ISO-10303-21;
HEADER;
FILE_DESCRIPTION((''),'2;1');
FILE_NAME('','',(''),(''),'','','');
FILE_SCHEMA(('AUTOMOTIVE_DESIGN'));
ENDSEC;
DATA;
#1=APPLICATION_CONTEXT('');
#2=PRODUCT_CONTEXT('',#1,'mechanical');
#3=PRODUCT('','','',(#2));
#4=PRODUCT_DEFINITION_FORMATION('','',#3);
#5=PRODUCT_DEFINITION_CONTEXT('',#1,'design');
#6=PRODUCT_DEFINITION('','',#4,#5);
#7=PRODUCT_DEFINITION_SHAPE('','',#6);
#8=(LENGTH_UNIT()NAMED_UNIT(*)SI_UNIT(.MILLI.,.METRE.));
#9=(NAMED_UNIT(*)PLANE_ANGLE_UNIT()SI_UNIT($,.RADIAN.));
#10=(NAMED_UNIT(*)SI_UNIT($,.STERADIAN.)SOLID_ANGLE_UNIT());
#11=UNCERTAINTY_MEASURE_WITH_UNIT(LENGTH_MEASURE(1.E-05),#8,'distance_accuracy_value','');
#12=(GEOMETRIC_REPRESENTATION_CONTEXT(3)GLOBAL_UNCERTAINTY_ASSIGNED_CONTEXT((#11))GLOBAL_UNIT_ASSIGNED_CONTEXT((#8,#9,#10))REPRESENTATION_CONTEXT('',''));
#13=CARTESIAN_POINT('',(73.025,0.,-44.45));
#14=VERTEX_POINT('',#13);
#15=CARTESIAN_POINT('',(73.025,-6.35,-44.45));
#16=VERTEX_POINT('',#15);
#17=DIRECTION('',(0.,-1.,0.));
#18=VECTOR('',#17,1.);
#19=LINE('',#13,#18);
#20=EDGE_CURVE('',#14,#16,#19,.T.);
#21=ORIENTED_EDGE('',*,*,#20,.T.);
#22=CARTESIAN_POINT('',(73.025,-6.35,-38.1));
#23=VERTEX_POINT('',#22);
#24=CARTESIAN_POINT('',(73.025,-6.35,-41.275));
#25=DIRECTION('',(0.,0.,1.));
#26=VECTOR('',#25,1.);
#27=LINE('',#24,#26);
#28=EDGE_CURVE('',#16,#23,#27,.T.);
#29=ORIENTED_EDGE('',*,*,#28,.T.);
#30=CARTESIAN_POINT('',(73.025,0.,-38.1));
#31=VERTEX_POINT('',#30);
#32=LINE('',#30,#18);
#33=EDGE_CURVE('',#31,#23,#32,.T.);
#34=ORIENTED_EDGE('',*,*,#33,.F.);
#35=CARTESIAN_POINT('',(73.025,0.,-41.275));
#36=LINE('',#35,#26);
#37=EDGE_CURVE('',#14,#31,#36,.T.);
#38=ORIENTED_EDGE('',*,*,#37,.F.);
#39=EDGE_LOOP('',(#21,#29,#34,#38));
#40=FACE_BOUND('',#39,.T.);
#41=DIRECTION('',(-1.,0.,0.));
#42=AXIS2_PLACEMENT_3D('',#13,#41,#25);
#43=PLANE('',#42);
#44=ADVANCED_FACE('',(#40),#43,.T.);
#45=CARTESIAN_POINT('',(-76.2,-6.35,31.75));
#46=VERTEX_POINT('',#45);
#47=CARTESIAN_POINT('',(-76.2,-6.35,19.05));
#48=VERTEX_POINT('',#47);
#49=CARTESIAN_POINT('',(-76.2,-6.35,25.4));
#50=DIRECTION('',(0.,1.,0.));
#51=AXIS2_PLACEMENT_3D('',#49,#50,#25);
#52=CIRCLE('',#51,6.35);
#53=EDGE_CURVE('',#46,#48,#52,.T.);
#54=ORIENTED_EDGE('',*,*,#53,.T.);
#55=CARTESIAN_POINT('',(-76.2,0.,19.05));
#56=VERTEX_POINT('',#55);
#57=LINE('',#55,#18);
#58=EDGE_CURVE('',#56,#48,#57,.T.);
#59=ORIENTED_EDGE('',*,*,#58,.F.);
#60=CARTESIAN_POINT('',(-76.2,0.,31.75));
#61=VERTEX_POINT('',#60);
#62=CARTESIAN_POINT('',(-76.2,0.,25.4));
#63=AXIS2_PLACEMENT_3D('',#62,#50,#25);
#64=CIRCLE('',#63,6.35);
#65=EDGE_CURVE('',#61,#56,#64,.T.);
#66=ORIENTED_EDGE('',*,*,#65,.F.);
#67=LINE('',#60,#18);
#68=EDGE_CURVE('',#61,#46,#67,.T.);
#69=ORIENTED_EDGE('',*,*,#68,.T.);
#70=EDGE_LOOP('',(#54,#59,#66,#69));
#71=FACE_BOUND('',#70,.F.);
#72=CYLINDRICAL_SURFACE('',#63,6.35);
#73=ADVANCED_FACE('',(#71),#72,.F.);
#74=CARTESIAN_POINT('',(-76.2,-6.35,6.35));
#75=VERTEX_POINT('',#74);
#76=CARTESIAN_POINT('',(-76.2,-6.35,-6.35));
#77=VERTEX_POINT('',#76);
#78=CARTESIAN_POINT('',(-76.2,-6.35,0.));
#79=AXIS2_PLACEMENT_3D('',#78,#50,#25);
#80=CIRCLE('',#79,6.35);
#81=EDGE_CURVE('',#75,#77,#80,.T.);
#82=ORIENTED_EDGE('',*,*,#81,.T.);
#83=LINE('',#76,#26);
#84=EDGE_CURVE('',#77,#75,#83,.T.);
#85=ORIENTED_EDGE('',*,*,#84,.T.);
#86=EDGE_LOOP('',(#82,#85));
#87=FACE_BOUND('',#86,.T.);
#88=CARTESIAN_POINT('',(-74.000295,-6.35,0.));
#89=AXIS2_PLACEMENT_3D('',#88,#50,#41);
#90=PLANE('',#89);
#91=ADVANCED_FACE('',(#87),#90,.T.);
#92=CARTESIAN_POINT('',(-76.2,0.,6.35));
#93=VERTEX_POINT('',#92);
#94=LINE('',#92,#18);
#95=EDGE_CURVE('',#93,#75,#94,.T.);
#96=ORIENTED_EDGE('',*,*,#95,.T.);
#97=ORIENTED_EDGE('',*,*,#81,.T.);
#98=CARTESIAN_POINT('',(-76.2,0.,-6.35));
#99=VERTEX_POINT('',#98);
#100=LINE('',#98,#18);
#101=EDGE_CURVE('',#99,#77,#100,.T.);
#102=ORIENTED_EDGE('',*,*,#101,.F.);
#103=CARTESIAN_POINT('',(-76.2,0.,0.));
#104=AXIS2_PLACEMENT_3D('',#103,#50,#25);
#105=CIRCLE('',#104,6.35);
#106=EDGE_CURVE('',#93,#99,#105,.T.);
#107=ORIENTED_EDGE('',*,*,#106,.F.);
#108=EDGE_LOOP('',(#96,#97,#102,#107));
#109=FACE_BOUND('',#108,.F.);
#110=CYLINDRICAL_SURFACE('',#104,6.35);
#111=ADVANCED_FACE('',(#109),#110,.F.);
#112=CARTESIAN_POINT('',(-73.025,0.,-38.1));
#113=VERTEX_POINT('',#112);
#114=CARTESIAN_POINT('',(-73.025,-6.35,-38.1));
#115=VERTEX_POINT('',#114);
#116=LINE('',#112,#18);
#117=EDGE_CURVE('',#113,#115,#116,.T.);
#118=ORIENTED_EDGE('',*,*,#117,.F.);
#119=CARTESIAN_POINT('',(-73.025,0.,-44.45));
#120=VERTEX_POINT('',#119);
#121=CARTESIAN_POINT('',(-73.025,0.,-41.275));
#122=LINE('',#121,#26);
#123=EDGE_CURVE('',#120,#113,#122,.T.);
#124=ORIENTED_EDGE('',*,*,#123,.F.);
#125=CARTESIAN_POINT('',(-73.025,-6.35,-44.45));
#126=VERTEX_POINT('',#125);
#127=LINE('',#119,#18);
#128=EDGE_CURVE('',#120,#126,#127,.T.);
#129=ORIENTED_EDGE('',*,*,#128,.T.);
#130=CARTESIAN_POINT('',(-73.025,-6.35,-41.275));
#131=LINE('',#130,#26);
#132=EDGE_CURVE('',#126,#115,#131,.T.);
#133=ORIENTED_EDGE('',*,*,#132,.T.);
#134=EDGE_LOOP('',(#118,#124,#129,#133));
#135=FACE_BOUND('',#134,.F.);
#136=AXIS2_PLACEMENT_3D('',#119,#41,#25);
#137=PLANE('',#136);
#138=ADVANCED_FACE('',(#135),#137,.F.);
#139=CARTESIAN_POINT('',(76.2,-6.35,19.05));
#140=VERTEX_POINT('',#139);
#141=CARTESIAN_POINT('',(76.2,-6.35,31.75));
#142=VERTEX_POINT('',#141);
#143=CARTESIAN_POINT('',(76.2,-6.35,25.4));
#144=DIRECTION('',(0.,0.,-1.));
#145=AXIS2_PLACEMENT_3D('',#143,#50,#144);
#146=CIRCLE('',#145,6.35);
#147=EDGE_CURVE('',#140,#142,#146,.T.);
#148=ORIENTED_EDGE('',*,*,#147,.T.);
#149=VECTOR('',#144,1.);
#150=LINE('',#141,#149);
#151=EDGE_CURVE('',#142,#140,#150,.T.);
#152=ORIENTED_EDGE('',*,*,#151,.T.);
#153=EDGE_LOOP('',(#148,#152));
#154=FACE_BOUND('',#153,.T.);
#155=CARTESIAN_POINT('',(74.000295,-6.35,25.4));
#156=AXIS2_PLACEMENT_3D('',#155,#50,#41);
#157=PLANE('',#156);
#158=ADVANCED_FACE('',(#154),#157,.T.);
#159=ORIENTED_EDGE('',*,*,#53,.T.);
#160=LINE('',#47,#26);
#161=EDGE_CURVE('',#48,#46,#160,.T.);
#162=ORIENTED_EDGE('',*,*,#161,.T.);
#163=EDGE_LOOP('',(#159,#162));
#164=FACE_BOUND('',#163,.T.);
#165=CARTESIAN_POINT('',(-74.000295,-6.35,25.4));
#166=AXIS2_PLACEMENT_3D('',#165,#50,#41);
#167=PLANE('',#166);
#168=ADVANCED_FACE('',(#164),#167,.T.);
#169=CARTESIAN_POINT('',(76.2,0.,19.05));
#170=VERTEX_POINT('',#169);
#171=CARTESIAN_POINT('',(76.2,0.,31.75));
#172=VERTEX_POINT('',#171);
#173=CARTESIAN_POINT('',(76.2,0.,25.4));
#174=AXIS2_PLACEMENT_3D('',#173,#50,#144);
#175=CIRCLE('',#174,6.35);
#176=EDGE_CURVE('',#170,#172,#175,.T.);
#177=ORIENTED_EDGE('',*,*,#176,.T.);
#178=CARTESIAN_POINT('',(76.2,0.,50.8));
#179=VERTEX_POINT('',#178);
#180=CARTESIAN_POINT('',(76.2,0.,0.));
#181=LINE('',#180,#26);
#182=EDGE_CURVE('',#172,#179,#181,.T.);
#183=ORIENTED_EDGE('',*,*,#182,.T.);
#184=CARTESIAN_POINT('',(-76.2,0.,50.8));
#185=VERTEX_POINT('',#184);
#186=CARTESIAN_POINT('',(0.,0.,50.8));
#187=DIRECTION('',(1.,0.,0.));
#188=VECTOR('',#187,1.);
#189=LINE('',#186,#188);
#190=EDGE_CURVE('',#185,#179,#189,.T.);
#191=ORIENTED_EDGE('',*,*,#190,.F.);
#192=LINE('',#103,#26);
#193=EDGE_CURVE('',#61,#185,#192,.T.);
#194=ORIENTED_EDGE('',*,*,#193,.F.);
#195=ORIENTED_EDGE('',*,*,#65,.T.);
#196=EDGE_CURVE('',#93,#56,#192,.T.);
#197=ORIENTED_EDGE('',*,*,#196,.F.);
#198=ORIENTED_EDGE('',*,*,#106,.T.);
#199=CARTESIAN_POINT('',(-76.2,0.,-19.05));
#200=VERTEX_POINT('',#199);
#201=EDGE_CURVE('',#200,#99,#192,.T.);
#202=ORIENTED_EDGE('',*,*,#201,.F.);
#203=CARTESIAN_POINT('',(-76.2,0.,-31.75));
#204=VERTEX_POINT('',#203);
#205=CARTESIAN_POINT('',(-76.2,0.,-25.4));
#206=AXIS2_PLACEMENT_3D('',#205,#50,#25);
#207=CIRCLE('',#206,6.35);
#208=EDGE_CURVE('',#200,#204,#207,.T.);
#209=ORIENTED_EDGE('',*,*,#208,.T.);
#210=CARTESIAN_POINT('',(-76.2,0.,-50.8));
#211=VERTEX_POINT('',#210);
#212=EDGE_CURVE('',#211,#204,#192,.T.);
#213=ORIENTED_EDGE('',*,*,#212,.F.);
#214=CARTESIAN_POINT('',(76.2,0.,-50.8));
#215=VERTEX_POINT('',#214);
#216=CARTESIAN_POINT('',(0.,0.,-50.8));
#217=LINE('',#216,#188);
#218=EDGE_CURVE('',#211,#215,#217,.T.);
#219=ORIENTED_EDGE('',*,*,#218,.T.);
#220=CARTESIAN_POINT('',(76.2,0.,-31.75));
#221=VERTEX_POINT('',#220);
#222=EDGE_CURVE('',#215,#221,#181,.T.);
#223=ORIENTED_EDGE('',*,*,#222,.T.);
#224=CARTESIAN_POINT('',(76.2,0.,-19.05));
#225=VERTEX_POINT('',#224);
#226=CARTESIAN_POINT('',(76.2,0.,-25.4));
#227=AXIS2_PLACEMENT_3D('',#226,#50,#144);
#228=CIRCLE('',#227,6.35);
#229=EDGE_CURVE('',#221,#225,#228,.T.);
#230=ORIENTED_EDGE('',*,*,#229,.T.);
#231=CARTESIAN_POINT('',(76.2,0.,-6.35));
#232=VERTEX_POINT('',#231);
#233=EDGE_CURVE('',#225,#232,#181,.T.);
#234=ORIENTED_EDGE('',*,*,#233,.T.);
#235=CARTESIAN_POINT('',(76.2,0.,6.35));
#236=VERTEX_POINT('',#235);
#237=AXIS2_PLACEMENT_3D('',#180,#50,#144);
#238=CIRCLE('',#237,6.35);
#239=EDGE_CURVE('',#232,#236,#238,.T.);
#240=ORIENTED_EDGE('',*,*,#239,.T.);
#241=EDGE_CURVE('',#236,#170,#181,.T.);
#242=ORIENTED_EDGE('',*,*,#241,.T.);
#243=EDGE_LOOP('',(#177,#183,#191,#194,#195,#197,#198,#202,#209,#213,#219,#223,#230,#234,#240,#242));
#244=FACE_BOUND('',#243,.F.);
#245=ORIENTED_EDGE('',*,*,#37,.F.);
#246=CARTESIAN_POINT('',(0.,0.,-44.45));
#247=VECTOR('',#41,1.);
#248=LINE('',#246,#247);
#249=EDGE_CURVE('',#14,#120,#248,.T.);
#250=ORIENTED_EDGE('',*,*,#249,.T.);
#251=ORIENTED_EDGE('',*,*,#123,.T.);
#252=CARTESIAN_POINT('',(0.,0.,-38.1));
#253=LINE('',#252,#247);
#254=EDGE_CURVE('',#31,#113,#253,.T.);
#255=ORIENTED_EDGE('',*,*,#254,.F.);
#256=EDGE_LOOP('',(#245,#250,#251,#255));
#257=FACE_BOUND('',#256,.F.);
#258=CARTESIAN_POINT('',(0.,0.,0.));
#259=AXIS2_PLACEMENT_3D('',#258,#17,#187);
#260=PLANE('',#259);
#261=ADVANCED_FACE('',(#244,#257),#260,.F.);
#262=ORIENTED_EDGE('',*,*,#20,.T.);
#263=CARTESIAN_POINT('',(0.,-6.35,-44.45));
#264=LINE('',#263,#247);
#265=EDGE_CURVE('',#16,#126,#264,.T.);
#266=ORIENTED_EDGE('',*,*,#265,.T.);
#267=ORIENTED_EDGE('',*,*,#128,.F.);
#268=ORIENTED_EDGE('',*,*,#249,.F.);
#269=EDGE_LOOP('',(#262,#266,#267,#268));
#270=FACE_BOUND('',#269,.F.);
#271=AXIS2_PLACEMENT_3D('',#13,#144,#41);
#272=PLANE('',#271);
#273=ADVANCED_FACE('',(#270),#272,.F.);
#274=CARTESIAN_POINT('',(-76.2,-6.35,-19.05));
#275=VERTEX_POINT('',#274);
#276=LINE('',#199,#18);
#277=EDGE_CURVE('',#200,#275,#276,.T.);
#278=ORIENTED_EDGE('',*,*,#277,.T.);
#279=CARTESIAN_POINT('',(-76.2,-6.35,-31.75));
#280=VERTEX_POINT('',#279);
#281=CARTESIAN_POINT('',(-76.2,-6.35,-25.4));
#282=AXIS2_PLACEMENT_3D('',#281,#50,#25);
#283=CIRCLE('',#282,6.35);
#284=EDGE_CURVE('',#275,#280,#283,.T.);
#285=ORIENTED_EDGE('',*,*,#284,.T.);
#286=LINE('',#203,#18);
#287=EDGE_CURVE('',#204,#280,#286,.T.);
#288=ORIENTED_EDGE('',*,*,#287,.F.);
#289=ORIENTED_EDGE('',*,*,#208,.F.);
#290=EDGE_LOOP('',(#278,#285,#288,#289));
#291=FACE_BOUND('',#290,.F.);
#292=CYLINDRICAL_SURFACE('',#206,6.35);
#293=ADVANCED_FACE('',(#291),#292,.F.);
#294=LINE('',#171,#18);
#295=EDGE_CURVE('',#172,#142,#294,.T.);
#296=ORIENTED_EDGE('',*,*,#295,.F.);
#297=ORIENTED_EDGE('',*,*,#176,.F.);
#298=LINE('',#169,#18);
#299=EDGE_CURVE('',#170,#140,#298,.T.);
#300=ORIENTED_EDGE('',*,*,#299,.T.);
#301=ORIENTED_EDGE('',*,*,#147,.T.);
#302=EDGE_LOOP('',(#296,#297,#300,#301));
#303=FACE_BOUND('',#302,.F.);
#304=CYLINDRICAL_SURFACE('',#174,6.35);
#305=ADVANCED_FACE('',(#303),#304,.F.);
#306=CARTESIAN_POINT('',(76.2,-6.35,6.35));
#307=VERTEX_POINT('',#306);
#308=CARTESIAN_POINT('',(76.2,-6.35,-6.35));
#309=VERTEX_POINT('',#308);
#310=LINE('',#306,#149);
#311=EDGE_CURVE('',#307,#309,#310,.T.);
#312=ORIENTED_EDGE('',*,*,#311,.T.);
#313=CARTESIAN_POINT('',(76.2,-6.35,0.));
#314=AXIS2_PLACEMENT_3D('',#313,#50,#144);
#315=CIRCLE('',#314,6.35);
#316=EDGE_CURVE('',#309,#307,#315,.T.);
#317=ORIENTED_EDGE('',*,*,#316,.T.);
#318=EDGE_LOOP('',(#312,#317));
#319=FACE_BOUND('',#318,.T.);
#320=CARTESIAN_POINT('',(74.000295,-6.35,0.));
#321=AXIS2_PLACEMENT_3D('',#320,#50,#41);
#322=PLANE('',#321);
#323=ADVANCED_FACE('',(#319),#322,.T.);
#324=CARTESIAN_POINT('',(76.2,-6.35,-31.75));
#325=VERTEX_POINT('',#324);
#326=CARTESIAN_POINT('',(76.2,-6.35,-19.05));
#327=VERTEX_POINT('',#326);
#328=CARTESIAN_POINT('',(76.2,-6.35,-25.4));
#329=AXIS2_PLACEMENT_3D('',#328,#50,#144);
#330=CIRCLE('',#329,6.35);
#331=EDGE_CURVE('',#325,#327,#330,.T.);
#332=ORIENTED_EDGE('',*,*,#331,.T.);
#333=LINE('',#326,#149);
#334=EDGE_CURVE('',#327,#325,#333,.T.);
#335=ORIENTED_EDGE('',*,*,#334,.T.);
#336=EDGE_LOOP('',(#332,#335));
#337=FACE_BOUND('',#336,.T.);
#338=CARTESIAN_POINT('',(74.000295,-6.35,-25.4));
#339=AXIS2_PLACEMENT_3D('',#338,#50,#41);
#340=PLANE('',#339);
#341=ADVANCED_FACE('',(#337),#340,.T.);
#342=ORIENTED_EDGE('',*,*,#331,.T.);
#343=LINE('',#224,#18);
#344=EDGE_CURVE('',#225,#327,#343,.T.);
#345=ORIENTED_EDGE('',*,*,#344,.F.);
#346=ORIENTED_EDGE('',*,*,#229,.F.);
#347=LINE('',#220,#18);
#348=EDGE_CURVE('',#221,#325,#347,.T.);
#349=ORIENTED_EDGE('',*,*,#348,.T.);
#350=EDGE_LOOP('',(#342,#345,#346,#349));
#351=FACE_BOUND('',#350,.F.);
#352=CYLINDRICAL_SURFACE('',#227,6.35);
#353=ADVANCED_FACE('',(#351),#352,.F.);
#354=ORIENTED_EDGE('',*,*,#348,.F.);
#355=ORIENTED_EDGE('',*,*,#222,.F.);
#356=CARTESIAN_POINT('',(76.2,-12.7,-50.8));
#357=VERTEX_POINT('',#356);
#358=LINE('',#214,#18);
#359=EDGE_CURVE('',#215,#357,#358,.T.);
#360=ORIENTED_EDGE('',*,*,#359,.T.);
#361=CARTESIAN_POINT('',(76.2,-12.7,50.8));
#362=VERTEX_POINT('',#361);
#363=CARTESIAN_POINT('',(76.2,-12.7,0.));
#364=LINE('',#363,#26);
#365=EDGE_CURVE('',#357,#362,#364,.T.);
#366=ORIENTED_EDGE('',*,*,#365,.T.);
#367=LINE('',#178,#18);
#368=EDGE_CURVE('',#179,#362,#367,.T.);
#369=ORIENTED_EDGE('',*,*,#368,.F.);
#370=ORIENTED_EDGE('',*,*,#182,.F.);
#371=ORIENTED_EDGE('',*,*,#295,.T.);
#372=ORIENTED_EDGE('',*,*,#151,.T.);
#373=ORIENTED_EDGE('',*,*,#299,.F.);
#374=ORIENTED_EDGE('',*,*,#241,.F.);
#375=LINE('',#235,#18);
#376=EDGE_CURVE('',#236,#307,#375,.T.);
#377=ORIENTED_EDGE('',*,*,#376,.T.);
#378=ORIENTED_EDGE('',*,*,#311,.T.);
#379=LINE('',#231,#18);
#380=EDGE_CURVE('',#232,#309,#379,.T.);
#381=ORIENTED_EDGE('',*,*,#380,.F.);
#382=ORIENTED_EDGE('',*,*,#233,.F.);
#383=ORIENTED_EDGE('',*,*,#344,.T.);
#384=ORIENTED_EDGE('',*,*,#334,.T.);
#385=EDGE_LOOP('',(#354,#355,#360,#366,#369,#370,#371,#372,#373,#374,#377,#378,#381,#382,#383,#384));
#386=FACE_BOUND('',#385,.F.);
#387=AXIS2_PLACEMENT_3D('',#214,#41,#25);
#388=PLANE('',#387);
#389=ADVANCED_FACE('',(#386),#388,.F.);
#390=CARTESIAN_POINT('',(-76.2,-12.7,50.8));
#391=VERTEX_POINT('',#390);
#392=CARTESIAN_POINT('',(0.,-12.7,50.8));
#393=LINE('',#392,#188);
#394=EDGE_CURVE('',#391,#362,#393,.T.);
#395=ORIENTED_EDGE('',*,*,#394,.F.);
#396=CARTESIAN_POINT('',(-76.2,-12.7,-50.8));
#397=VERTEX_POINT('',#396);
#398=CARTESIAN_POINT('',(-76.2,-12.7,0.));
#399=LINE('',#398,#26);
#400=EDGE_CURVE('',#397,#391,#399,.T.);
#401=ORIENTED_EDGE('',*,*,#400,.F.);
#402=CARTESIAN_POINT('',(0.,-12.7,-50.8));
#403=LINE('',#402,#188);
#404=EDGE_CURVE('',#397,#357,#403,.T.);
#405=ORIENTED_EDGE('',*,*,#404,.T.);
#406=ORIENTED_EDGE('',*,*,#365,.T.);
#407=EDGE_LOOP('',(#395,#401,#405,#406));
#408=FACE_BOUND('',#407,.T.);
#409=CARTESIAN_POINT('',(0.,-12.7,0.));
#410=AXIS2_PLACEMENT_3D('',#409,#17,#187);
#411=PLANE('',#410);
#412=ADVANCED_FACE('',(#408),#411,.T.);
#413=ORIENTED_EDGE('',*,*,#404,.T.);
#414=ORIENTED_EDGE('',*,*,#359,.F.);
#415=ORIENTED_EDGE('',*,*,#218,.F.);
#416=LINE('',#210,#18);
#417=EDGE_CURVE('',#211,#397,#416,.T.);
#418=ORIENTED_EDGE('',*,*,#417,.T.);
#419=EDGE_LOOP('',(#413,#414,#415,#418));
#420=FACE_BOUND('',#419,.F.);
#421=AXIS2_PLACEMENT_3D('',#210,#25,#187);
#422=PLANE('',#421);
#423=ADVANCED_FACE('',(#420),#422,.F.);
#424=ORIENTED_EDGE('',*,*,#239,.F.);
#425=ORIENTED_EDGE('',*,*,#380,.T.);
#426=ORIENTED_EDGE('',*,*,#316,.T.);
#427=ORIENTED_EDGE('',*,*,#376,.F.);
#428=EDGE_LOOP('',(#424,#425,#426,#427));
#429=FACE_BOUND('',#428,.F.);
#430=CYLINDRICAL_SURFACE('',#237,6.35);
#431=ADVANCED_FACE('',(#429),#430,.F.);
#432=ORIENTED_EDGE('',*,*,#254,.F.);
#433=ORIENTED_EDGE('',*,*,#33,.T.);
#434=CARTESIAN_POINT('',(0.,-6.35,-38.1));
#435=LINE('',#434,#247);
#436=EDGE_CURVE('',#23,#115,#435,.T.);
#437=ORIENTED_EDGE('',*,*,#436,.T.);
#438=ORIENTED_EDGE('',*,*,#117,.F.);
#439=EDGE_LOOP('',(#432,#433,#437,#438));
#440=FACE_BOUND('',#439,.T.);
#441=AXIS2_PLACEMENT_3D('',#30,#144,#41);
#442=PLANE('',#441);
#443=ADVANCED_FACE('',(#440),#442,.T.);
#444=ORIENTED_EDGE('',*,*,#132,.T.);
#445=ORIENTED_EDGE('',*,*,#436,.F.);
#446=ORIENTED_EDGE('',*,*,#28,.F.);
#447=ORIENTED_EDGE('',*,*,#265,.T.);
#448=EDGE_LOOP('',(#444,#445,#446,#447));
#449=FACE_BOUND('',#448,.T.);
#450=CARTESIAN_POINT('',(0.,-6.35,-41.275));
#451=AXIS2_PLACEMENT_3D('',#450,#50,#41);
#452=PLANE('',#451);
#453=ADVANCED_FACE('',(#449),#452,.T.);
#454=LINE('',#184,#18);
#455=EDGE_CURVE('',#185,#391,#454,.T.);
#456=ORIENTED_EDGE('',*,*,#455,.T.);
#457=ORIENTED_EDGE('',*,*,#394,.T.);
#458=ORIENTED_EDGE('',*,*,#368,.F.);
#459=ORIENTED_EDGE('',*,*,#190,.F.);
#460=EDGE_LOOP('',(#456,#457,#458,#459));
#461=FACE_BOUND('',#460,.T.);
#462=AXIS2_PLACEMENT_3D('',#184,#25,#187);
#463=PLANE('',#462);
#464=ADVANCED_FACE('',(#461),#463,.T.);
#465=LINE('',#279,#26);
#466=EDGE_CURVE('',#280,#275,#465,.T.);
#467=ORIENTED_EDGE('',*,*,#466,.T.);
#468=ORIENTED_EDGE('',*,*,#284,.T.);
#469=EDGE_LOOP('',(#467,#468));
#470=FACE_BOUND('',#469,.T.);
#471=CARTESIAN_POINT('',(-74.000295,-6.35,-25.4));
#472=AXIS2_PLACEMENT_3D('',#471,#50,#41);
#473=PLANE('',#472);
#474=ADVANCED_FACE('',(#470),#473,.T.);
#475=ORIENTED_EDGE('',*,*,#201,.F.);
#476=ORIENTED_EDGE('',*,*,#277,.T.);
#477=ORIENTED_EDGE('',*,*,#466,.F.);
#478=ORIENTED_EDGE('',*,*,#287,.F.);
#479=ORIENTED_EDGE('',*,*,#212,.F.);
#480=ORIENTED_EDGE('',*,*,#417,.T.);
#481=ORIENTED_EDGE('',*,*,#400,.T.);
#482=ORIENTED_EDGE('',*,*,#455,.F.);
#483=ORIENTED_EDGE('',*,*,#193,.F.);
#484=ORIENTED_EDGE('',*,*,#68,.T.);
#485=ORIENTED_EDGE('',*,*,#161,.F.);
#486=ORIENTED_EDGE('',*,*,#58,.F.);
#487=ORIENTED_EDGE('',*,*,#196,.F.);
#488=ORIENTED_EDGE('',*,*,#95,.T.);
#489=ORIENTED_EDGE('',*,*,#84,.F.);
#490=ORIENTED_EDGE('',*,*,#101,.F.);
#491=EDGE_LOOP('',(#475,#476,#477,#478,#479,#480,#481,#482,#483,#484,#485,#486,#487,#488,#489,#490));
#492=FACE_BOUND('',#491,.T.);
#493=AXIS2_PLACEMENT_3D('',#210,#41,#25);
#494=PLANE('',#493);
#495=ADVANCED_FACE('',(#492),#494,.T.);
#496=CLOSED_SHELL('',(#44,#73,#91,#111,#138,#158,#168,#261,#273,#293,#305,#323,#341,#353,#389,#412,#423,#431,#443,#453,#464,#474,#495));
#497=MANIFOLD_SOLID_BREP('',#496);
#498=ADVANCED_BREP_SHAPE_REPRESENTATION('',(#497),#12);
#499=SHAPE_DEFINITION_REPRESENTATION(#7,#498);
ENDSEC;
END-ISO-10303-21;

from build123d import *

# Parameters (mm, degrees)
F0_W     = 152.4
F0_H     = 101.6
F1_DEPTH = 12.7
F2_W     = 146.05
F2_H     = 6.35
F3_DEPTH = 6.35
F5_DEPTH = 6.35


with BuildPart() as f1:
    # F0 (on Front) → F1 (new body)
    with BuildSketch(Plane.XZ):
        Rectangle(F0_W, F0_H)
    extrude(amount=F1_DEPTH)

    # F2 (on face) → F3 (cut)
    with BuildSketch(Plane(origin=(0, 0, 0), x_dir=(-1, 0, 0), z_dir=(0, 1, 0))):
        with Locations((0, -41.275)):
            Rectangle(F2_W, F2_H)
    extrude(amount=-F3_DEPTH, mode=Mode.SUBTRACT)

    # F4 (on face) → F5 (cut)
    with BuildSketch(Plane(origin=(0, 0, 0), x_dir=(-1, 0, 0), z_dir=(0, 1, 0))):
        with BuildLine():
            Line((76.2, 19.05), (76.2, 31.75))
            ThreePointArc((76.2, 31.75), (69.85, 25.4), (76.2, 19.05))
        make_face()
        with BuildLine():
            Line((76.2, -6.35), (76.2, 6.35))
            ThreePointArc((76.2, 6.35), (69.85, 0), (76.2, -6.35))
        make_face()
        with BuildLine():
            ThreePointArc((76.2, -19.05), (69.85, -25.4), (76.2, -31.75))
            Line((76.2, -31.75), (76.2, -19.05))
        make_face()
        with BuildLine():
            ThreePointArc((-76.2, -31.75), (-69.85, -25.4), (-76.2, -19.05))
            Line((-76.2, -19.05), (-76.2, -31.75))
        make_face()
        with BuildLine():
            ThreePointArc((-76.2, -6.35), (-69.85, 0), (-76.2, 6.35))
            Line((-76.2, 6.35), (-76.2, -6.35))
        make_face()
        with BuildLine():
            Line((-76.2, 31.75), (-76.2, 19.05))
            ThreePointArc((-76.2, 19.05), (-69.85, 25.4), (-76.2, 31.75))
        make_face()
    extrude(amount=-F5_DEPTH, mode=Mode.SUBTRACT)


solid = f1.part
